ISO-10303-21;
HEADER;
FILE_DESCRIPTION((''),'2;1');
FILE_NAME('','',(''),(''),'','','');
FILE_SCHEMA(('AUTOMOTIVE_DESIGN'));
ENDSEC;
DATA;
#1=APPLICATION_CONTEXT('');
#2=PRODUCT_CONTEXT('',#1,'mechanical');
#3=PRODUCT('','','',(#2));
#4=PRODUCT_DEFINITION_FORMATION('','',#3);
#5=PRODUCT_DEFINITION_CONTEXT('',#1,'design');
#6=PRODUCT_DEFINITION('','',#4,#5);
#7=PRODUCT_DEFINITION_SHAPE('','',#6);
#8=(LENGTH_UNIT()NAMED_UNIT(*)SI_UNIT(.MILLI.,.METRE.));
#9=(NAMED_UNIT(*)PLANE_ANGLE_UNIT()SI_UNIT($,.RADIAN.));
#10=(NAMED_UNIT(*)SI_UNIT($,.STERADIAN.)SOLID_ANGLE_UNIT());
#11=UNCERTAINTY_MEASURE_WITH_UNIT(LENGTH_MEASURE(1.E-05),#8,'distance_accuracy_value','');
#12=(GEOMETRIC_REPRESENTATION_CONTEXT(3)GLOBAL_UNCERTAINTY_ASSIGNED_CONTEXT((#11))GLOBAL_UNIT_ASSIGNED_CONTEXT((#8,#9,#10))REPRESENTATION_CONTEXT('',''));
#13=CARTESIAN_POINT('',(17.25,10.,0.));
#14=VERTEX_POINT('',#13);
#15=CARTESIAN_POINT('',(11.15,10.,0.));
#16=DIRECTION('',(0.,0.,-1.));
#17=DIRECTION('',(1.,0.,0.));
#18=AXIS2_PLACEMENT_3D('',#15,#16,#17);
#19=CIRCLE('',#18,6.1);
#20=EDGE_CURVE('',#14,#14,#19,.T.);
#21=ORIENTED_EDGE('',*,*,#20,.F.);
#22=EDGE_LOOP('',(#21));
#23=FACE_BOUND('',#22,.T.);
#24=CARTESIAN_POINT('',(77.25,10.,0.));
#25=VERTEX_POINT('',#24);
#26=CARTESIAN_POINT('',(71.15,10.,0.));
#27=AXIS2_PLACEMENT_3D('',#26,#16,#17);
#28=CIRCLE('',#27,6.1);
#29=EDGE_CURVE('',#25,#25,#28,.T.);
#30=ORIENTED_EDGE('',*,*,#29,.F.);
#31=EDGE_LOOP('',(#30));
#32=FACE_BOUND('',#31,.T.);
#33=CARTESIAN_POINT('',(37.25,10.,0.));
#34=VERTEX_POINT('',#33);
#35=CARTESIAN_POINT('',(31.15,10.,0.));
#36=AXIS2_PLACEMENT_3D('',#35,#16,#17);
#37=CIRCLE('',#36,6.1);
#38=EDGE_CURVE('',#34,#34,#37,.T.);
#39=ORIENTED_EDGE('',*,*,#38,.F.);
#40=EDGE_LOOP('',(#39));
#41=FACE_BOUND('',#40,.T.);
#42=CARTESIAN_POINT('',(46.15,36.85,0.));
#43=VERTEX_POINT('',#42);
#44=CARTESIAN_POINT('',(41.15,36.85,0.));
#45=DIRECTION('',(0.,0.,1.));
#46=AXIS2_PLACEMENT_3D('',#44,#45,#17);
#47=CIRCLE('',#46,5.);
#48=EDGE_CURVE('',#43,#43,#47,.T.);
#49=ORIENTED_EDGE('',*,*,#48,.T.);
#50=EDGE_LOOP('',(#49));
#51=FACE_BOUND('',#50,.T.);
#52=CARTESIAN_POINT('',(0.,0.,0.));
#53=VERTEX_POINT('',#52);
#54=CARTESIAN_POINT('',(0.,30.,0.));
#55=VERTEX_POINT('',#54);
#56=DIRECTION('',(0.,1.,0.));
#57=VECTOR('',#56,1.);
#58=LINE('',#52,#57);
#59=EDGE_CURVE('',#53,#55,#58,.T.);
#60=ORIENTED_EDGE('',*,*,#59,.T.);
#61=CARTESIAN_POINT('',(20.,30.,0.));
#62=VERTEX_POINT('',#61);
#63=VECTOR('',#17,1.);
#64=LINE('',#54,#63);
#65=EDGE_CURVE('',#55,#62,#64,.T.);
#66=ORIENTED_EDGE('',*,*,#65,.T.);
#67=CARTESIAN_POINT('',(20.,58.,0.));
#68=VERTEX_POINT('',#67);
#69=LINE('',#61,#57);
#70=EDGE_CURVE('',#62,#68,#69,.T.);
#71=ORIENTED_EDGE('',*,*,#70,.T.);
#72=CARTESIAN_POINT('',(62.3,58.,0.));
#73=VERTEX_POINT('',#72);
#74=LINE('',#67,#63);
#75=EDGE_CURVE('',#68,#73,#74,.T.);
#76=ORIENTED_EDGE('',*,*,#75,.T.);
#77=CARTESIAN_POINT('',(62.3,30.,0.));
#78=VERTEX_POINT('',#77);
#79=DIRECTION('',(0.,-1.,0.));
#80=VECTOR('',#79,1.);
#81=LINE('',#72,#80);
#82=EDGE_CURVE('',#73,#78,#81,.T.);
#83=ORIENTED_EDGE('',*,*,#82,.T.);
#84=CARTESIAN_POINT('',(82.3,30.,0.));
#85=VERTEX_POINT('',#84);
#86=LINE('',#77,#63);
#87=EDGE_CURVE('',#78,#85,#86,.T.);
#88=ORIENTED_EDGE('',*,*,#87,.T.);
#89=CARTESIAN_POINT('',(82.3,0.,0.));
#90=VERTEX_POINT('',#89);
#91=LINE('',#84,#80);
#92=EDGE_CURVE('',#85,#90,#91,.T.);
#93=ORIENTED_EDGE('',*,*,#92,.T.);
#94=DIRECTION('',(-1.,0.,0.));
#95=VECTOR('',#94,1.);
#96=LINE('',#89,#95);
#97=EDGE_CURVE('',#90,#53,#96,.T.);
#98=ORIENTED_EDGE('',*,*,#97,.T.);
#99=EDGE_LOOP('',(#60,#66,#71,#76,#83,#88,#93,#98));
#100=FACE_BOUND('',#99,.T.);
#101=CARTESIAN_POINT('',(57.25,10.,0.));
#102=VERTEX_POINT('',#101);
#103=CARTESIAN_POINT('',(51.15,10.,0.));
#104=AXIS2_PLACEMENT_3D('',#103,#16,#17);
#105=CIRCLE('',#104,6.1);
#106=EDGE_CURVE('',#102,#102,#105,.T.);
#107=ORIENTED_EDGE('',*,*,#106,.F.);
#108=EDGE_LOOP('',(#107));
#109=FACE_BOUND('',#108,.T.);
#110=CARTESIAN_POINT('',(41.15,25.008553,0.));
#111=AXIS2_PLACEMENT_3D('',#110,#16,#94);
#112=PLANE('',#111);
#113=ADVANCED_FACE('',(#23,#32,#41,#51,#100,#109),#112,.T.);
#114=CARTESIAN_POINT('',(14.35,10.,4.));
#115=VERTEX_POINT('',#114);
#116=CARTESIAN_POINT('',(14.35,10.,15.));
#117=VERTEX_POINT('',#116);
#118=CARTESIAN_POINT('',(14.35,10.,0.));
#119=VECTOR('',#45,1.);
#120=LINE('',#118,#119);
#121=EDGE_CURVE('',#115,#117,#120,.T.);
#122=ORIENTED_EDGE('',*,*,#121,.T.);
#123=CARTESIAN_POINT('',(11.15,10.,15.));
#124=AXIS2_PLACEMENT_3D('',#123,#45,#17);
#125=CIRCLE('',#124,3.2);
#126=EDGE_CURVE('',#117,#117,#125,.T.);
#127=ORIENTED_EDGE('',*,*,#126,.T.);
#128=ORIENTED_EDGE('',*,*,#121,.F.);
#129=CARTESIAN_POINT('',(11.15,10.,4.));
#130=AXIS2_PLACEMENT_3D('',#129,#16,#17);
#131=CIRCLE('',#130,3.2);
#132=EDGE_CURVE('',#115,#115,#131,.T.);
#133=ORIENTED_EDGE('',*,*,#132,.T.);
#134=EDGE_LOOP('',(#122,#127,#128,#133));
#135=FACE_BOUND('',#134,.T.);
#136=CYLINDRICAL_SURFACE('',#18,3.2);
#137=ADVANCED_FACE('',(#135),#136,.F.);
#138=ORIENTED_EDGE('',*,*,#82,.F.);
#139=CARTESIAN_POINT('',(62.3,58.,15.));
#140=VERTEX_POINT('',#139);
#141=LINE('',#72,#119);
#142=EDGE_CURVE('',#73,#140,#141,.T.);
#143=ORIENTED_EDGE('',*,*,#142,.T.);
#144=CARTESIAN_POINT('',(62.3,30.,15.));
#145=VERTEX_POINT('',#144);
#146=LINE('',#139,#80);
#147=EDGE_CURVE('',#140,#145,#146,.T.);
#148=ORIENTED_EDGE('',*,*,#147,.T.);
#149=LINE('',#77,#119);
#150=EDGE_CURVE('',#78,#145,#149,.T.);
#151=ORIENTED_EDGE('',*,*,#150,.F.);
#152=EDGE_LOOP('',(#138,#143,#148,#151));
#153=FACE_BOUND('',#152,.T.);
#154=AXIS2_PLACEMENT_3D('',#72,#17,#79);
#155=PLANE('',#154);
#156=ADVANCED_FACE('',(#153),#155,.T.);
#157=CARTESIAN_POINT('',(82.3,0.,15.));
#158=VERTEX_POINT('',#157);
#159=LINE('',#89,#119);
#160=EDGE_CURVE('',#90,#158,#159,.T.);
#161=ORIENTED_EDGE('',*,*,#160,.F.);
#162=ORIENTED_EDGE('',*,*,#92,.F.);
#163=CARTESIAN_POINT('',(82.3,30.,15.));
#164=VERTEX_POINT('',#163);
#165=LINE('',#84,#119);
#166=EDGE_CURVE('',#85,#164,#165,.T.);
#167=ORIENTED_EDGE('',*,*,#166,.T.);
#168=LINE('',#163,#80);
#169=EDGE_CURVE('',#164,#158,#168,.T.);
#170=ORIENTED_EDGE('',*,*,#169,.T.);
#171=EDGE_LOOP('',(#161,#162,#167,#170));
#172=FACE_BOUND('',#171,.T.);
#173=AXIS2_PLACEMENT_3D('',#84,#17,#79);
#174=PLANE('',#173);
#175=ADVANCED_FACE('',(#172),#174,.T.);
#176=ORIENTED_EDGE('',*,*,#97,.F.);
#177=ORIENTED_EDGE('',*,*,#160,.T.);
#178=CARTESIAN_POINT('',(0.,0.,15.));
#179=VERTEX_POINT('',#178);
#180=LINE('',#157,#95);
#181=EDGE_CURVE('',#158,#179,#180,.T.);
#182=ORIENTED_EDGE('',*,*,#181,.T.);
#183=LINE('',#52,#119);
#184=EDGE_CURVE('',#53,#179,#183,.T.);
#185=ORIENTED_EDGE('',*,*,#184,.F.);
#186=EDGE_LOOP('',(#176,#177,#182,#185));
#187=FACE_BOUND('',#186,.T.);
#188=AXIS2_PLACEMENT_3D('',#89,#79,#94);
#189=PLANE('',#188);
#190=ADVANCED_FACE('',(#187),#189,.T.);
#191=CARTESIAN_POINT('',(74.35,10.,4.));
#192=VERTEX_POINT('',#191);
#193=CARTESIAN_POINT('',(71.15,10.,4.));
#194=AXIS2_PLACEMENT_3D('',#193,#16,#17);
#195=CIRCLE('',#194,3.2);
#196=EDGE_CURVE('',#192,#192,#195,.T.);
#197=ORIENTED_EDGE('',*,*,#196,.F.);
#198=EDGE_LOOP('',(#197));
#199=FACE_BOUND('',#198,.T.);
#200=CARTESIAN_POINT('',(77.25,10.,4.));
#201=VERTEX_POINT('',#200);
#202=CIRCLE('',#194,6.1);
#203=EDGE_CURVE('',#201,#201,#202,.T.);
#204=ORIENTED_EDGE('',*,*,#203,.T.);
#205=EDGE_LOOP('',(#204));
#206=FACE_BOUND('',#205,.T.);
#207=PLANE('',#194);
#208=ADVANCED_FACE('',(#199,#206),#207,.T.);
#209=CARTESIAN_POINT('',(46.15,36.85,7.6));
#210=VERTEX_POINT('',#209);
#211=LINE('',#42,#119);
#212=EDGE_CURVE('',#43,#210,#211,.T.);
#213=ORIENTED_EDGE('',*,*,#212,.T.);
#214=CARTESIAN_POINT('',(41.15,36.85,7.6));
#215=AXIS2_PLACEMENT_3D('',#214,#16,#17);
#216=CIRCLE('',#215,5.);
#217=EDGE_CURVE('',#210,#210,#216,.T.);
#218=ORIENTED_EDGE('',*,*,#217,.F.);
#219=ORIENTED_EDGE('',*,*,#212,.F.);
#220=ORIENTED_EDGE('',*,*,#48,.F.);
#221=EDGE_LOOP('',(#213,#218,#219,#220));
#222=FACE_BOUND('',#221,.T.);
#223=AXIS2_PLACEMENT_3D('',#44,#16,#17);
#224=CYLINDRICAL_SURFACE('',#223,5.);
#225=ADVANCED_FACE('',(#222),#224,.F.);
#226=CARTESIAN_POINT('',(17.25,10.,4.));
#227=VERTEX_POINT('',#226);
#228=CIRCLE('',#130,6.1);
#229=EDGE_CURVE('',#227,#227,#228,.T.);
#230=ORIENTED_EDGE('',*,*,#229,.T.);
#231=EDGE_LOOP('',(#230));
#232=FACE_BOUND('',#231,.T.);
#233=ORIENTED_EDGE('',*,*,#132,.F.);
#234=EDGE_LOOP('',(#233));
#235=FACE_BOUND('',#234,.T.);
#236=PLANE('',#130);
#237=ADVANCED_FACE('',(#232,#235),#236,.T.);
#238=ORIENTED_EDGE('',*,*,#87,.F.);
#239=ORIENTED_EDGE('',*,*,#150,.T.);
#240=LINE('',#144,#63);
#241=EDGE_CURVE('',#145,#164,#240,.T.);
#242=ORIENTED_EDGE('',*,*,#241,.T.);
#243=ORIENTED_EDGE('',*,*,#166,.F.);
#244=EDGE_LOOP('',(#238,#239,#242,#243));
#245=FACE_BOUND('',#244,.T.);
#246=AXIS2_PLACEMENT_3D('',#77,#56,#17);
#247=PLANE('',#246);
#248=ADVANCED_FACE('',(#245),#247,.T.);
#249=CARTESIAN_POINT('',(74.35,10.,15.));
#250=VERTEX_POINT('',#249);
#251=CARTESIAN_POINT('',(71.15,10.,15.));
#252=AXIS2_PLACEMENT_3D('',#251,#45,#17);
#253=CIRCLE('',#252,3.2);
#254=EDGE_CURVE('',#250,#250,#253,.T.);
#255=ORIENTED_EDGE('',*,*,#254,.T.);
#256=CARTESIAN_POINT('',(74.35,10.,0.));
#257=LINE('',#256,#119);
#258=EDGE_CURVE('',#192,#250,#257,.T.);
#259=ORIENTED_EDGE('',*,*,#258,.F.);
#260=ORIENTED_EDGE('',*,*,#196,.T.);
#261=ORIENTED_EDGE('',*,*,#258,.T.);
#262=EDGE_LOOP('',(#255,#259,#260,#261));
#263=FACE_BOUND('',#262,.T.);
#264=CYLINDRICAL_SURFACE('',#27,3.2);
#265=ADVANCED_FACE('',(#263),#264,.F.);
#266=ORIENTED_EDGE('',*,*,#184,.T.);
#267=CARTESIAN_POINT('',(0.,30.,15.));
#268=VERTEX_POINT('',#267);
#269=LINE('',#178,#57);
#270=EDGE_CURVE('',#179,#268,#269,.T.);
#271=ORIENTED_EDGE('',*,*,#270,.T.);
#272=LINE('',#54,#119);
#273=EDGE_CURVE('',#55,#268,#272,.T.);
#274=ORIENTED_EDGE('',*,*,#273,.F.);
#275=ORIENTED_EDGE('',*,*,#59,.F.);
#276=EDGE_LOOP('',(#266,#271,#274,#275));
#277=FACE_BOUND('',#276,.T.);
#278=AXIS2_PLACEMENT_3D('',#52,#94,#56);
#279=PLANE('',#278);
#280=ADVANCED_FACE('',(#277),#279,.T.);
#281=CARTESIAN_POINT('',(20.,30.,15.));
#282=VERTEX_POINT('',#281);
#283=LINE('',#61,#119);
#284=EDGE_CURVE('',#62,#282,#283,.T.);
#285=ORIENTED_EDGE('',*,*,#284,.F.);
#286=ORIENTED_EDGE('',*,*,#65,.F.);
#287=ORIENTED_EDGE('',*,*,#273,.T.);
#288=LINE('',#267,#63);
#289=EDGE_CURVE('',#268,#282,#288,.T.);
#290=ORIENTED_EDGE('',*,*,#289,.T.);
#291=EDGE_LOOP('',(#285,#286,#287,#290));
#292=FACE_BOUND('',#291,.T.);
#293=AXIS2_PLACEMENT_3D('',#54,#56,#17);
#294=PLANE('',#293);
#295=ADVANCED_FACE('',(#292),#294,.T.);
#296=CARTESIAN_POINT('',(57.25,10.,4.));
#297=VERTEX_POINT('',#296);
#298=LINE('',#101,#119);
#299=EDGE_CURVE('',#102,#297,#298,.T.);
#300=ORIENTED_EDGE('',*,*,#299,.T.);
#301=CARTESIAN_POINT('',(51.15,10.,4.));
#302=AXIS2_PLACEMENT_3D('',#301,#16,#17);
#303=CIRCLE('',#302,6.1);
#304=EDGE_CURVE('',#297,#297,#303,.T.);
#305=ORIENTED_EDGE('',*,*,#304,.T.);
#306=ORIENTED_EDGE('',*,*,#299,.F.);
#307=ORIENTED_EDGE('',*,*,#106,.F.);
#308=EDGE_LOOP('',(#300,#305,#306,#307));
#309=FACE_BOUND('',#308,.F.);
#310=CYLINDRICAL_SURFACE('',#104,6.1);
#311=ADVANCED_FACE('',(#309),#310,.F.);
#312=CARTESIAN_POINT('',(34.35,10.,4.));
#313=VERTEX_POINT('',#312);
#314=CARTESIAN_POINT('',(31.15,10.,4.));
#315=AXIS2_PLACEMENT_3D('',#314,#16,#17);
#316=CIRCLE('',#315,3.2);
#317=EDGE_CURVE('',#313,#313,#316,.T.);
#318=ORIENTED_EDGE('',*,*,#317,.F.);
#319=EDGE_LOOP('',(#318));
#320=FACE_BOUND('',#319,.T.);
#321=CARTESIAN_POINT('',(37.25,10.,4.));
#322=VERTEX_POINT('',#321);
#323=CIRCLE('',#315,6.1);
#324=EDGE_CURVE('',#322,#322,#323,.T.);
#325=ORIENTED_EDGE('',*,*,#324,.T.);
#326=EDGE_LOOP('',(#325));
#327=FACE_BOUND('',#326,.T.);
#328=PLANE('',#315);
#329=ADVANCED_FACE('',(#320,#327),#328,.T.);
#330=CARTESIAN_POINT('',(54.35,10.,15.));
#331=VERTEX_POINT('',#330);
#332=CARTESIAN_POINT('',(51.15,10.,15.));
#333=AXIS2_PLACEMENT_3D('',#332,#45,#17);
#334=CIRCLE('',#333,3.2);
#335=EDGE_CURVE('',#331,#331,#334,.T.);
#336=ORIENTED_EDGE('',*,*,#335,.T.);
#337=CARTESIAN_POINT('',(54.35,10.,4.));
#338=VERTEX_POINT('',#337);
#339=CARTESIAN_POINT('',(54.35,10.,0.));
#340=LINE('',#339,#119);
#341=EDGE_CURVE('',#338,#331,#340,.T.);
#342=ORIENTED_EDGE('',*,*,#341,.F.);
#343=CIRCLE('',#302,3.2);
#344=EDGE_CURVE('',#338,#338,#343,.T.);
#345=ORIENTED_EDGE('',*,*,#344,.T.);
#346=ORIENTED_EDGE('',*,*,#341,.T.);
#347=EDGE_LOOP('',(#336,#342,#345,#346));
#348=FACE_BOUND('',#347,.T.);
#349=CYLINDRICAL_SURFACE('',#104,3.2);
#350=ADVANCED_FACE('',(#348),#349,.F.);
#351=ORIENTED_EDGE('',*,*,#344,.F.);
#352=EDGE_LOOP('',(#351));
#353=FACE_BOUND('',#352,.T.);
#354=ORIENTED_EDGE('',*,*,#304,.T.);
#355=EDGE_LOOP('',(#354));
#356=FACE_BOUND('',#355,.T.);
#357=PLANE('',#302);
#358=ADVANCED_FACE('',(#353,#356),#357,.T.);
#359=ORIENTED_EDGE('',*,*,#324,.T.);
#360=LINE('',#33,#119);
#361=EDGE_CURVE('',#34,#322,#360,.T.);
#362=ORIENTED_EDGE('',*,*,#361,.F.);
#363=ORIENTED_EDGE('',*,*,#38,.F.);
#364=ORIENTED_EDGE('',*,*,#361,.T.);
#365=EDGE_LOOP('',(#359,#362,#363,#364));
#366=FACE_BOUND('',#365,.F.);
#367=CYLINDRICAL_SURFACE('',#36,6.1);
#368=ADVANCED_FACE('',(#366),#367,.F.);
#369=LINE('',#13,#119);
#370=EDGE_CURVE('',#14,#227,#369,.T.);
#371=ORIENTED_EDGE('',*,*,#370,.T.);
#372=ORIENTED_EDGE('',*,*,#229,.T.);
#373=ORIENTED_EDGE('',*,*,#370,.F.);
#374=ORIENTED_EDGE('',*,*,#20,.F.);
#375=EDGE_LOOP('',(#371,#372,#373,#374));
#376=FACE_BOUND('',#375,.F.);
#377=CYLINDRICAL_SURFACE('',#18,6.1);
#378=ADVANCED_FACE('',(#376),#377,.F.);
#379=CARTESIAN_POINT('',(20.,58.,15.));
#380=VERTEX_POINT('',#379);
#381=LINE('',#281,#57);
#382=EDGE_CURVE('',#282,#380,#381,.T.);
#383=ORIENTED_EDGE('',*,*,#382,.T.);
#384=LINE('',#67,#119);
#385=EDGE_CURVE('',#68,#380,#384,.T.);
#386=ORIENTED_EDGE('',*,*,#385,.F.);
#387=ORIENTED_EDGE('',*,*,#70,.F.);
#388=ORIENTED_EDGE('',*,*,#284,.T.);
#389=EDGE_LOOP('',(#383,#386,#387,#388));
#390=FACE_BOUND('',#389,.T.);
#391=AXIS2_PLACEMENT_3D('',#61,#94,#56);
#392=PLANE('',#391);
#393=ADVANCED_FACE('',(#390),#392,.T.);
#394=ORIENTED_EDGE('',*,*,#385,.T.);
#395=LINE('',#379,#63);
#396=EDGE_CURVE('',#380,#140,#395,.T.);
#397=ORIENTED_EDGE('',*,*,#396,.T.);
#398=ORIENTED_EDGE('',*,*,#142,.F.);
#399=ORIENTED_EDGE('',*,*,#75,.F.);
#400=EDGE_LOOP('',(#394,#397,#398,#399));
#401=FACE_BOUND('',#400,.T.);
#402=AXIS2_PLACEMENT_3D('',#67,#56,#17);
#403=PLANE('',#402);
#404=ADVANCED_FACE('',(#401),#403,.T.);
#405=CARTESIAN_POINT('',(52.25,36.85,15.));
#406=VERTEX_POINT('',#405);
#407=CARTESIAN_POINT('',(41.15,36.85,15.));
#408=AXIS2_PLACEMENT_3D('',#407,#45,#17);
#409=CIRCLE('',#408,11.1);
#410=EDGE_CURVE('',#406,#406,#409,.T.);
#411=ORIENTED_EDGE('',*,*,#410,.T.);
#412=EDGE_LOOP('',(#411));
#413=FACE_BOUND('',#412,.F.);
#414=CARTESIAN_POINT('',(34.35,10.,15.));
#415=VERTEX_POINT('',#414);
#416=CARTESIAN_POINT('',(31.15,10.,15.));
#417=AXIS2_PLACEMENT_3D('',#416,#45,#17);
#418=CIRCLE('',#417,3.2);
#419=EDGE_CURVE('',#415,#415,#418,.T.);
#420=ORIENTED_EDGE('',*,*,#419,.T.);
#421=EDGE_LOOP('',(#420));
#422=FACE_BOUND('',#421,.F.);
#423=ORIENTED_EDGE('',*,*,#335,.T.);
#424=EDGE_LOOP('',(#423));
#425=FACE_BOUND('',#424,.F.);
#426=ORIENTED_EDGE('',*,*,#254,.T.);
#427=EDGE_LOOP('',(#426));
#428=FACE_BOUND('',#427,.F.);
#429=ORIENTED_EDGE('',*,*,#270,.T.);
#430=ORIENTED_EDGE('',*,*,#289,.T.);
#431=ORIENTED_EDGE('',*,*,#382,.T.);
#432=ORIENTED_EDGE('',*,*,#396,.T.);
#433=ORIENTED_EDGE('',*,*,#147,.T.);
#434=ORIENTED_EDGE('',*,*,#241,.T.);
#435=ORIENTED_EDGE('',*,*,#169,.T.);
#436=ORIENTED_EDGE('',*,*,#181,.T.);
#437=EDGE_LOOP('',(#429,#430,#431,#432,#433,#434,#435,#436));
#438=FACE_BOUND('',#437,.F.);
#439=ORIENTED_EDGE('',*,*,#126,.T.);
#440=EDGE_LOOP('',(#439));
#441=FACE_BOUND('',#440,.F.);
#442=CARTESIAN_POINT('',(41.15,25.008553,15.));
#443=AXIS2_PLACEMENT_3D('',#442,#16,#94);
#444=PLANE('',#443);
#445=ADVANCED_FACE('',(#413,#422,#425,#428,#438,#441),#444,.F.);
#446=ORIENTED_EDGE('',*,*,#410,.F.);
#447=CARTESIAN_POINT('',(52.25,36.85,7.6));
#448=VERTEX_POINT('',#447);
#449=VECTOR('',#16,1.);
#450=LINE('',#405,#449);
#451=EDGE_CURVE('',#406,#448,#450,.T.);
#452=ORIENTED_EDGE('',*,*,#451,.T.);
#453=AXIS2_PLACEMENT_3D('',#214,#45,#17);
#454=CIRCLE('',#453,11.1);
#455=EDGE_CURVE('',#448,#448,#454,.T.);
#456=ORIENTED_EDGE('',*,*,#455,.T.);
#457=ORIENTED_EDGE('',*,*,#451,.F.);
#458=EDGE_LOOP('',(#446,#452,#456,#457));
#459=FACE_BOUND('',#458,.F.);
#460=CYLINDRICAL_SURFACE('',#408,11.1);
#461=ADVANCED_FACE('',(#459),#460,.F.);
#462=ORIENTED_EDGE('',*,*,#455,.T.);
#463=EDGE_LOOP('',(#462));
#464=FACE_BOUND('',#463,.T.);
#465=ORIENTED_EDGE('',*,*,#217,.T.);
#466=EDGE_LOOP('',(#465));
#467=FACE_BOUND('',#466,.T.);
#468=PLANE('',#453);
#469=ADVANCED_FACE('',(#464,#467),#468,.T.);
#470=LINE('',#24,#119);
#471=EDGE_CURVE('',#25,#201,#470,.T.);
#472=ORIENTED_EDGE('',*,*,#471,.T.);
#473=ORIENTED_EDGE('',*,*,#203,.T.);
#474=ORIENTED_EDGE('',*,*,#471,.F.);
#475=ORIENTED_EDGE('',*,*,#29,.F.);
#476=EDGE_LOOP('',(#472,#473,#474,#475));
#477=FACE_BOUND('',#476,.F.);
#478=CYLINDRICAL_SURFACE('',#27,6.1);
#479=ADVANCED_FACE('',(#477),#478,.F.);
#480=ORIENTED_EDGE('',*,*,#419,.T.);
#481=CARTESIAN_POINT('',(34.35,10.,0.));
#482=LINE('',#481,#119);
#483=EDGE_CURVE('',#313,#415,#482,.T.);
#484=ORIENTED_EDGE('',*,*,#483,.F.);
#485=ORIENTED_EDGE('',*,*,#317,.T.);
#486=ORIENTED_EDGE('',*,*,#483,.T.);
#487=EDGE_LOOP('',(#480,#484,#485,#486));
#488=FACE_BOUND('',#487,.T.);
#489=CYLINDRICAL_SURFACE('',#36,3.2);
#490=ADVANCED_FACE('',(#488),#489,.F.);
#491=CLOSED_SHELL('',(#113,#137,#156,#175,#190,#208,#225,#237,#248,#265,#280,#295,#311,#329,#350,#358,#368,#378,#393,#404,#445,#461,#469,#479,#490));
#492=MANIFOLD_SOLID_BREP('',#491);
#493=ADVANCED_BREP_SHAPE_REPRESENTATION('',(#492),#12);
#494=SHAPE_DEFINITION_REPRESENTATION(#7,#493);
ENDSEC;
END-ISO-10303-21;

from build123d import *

# Parameters (mm, degrees)
SKETCH_R        = 5
SKETCH_R_2      = 3.2
PAD_DEPTH       = 15
SKETCH002_R     = 6.1
POCKET001_DEPTH = 4
SKETCH003_R     = 11.1
POCKET_DEPTH    = 7.4


with BuildPart() as part:
    # Sketch → Pad (new body)
    with BuildSketch(Plane.XY):
        Polygon((20, 30), (20, 58), (62.3, 58), (62.3, 30), (82.3, 30), (82.3, 0), (0, 0), (0, 30), align=None)
        with Locations((41.15, 36.85)):
            Circle(SKETCH_R, mode=Mode.SUBTRACT)
        with Locations((11.15, 10)):
            Circle(SKETCH_R_2, mode=Mode.SUBTRACT)
        with Locations((31.15, 10)):
            Circle(SKETCH_R_2, mode=Mode.SUBTRACT)
        with Locations((51.15, 10)):
            Circle(SKETCH_R_2, mode=Mode.SUBTRACT)
        with Locations((71.15, 10)):
            Circle(SKETCH_R_2, mode=Mode.SUBTRACT)
    extrude(amount=PAD_DEPTH)

    # Sketch002 → Pocket001 (cut)
    with BuildSketch(Plane(origin=(0, 0, 0), x_dir=(1, 0, 0), z_dir=(0, 0, -1))):
        with Locations((11.15, -10)):
            Circle(SKETCH002_R)
        with Locations((31.15, -10)):
            Circle(SKETCH002_R)
        with Locations((51.15, -10)):
            Circle(SKETCH002_R)
        with Locations((71.15, -10)):
            Circle(SKETCH002_R)
    extrude(amount=-POCKET001_DEPTH, mode=Mode.SUBTRACT)

    # Sketch003 (on Face5 of Pocket001) → Pocket (cut)
    with BuildSketch(Plane.XY.offset(15)):
        with Locations((41.15, 36.85)):
            Circle(SKETCH003_R)
    extrude(amount=-POCKET_DEPTH, mode=Mode.SUBTRACT)


solid = part.part
